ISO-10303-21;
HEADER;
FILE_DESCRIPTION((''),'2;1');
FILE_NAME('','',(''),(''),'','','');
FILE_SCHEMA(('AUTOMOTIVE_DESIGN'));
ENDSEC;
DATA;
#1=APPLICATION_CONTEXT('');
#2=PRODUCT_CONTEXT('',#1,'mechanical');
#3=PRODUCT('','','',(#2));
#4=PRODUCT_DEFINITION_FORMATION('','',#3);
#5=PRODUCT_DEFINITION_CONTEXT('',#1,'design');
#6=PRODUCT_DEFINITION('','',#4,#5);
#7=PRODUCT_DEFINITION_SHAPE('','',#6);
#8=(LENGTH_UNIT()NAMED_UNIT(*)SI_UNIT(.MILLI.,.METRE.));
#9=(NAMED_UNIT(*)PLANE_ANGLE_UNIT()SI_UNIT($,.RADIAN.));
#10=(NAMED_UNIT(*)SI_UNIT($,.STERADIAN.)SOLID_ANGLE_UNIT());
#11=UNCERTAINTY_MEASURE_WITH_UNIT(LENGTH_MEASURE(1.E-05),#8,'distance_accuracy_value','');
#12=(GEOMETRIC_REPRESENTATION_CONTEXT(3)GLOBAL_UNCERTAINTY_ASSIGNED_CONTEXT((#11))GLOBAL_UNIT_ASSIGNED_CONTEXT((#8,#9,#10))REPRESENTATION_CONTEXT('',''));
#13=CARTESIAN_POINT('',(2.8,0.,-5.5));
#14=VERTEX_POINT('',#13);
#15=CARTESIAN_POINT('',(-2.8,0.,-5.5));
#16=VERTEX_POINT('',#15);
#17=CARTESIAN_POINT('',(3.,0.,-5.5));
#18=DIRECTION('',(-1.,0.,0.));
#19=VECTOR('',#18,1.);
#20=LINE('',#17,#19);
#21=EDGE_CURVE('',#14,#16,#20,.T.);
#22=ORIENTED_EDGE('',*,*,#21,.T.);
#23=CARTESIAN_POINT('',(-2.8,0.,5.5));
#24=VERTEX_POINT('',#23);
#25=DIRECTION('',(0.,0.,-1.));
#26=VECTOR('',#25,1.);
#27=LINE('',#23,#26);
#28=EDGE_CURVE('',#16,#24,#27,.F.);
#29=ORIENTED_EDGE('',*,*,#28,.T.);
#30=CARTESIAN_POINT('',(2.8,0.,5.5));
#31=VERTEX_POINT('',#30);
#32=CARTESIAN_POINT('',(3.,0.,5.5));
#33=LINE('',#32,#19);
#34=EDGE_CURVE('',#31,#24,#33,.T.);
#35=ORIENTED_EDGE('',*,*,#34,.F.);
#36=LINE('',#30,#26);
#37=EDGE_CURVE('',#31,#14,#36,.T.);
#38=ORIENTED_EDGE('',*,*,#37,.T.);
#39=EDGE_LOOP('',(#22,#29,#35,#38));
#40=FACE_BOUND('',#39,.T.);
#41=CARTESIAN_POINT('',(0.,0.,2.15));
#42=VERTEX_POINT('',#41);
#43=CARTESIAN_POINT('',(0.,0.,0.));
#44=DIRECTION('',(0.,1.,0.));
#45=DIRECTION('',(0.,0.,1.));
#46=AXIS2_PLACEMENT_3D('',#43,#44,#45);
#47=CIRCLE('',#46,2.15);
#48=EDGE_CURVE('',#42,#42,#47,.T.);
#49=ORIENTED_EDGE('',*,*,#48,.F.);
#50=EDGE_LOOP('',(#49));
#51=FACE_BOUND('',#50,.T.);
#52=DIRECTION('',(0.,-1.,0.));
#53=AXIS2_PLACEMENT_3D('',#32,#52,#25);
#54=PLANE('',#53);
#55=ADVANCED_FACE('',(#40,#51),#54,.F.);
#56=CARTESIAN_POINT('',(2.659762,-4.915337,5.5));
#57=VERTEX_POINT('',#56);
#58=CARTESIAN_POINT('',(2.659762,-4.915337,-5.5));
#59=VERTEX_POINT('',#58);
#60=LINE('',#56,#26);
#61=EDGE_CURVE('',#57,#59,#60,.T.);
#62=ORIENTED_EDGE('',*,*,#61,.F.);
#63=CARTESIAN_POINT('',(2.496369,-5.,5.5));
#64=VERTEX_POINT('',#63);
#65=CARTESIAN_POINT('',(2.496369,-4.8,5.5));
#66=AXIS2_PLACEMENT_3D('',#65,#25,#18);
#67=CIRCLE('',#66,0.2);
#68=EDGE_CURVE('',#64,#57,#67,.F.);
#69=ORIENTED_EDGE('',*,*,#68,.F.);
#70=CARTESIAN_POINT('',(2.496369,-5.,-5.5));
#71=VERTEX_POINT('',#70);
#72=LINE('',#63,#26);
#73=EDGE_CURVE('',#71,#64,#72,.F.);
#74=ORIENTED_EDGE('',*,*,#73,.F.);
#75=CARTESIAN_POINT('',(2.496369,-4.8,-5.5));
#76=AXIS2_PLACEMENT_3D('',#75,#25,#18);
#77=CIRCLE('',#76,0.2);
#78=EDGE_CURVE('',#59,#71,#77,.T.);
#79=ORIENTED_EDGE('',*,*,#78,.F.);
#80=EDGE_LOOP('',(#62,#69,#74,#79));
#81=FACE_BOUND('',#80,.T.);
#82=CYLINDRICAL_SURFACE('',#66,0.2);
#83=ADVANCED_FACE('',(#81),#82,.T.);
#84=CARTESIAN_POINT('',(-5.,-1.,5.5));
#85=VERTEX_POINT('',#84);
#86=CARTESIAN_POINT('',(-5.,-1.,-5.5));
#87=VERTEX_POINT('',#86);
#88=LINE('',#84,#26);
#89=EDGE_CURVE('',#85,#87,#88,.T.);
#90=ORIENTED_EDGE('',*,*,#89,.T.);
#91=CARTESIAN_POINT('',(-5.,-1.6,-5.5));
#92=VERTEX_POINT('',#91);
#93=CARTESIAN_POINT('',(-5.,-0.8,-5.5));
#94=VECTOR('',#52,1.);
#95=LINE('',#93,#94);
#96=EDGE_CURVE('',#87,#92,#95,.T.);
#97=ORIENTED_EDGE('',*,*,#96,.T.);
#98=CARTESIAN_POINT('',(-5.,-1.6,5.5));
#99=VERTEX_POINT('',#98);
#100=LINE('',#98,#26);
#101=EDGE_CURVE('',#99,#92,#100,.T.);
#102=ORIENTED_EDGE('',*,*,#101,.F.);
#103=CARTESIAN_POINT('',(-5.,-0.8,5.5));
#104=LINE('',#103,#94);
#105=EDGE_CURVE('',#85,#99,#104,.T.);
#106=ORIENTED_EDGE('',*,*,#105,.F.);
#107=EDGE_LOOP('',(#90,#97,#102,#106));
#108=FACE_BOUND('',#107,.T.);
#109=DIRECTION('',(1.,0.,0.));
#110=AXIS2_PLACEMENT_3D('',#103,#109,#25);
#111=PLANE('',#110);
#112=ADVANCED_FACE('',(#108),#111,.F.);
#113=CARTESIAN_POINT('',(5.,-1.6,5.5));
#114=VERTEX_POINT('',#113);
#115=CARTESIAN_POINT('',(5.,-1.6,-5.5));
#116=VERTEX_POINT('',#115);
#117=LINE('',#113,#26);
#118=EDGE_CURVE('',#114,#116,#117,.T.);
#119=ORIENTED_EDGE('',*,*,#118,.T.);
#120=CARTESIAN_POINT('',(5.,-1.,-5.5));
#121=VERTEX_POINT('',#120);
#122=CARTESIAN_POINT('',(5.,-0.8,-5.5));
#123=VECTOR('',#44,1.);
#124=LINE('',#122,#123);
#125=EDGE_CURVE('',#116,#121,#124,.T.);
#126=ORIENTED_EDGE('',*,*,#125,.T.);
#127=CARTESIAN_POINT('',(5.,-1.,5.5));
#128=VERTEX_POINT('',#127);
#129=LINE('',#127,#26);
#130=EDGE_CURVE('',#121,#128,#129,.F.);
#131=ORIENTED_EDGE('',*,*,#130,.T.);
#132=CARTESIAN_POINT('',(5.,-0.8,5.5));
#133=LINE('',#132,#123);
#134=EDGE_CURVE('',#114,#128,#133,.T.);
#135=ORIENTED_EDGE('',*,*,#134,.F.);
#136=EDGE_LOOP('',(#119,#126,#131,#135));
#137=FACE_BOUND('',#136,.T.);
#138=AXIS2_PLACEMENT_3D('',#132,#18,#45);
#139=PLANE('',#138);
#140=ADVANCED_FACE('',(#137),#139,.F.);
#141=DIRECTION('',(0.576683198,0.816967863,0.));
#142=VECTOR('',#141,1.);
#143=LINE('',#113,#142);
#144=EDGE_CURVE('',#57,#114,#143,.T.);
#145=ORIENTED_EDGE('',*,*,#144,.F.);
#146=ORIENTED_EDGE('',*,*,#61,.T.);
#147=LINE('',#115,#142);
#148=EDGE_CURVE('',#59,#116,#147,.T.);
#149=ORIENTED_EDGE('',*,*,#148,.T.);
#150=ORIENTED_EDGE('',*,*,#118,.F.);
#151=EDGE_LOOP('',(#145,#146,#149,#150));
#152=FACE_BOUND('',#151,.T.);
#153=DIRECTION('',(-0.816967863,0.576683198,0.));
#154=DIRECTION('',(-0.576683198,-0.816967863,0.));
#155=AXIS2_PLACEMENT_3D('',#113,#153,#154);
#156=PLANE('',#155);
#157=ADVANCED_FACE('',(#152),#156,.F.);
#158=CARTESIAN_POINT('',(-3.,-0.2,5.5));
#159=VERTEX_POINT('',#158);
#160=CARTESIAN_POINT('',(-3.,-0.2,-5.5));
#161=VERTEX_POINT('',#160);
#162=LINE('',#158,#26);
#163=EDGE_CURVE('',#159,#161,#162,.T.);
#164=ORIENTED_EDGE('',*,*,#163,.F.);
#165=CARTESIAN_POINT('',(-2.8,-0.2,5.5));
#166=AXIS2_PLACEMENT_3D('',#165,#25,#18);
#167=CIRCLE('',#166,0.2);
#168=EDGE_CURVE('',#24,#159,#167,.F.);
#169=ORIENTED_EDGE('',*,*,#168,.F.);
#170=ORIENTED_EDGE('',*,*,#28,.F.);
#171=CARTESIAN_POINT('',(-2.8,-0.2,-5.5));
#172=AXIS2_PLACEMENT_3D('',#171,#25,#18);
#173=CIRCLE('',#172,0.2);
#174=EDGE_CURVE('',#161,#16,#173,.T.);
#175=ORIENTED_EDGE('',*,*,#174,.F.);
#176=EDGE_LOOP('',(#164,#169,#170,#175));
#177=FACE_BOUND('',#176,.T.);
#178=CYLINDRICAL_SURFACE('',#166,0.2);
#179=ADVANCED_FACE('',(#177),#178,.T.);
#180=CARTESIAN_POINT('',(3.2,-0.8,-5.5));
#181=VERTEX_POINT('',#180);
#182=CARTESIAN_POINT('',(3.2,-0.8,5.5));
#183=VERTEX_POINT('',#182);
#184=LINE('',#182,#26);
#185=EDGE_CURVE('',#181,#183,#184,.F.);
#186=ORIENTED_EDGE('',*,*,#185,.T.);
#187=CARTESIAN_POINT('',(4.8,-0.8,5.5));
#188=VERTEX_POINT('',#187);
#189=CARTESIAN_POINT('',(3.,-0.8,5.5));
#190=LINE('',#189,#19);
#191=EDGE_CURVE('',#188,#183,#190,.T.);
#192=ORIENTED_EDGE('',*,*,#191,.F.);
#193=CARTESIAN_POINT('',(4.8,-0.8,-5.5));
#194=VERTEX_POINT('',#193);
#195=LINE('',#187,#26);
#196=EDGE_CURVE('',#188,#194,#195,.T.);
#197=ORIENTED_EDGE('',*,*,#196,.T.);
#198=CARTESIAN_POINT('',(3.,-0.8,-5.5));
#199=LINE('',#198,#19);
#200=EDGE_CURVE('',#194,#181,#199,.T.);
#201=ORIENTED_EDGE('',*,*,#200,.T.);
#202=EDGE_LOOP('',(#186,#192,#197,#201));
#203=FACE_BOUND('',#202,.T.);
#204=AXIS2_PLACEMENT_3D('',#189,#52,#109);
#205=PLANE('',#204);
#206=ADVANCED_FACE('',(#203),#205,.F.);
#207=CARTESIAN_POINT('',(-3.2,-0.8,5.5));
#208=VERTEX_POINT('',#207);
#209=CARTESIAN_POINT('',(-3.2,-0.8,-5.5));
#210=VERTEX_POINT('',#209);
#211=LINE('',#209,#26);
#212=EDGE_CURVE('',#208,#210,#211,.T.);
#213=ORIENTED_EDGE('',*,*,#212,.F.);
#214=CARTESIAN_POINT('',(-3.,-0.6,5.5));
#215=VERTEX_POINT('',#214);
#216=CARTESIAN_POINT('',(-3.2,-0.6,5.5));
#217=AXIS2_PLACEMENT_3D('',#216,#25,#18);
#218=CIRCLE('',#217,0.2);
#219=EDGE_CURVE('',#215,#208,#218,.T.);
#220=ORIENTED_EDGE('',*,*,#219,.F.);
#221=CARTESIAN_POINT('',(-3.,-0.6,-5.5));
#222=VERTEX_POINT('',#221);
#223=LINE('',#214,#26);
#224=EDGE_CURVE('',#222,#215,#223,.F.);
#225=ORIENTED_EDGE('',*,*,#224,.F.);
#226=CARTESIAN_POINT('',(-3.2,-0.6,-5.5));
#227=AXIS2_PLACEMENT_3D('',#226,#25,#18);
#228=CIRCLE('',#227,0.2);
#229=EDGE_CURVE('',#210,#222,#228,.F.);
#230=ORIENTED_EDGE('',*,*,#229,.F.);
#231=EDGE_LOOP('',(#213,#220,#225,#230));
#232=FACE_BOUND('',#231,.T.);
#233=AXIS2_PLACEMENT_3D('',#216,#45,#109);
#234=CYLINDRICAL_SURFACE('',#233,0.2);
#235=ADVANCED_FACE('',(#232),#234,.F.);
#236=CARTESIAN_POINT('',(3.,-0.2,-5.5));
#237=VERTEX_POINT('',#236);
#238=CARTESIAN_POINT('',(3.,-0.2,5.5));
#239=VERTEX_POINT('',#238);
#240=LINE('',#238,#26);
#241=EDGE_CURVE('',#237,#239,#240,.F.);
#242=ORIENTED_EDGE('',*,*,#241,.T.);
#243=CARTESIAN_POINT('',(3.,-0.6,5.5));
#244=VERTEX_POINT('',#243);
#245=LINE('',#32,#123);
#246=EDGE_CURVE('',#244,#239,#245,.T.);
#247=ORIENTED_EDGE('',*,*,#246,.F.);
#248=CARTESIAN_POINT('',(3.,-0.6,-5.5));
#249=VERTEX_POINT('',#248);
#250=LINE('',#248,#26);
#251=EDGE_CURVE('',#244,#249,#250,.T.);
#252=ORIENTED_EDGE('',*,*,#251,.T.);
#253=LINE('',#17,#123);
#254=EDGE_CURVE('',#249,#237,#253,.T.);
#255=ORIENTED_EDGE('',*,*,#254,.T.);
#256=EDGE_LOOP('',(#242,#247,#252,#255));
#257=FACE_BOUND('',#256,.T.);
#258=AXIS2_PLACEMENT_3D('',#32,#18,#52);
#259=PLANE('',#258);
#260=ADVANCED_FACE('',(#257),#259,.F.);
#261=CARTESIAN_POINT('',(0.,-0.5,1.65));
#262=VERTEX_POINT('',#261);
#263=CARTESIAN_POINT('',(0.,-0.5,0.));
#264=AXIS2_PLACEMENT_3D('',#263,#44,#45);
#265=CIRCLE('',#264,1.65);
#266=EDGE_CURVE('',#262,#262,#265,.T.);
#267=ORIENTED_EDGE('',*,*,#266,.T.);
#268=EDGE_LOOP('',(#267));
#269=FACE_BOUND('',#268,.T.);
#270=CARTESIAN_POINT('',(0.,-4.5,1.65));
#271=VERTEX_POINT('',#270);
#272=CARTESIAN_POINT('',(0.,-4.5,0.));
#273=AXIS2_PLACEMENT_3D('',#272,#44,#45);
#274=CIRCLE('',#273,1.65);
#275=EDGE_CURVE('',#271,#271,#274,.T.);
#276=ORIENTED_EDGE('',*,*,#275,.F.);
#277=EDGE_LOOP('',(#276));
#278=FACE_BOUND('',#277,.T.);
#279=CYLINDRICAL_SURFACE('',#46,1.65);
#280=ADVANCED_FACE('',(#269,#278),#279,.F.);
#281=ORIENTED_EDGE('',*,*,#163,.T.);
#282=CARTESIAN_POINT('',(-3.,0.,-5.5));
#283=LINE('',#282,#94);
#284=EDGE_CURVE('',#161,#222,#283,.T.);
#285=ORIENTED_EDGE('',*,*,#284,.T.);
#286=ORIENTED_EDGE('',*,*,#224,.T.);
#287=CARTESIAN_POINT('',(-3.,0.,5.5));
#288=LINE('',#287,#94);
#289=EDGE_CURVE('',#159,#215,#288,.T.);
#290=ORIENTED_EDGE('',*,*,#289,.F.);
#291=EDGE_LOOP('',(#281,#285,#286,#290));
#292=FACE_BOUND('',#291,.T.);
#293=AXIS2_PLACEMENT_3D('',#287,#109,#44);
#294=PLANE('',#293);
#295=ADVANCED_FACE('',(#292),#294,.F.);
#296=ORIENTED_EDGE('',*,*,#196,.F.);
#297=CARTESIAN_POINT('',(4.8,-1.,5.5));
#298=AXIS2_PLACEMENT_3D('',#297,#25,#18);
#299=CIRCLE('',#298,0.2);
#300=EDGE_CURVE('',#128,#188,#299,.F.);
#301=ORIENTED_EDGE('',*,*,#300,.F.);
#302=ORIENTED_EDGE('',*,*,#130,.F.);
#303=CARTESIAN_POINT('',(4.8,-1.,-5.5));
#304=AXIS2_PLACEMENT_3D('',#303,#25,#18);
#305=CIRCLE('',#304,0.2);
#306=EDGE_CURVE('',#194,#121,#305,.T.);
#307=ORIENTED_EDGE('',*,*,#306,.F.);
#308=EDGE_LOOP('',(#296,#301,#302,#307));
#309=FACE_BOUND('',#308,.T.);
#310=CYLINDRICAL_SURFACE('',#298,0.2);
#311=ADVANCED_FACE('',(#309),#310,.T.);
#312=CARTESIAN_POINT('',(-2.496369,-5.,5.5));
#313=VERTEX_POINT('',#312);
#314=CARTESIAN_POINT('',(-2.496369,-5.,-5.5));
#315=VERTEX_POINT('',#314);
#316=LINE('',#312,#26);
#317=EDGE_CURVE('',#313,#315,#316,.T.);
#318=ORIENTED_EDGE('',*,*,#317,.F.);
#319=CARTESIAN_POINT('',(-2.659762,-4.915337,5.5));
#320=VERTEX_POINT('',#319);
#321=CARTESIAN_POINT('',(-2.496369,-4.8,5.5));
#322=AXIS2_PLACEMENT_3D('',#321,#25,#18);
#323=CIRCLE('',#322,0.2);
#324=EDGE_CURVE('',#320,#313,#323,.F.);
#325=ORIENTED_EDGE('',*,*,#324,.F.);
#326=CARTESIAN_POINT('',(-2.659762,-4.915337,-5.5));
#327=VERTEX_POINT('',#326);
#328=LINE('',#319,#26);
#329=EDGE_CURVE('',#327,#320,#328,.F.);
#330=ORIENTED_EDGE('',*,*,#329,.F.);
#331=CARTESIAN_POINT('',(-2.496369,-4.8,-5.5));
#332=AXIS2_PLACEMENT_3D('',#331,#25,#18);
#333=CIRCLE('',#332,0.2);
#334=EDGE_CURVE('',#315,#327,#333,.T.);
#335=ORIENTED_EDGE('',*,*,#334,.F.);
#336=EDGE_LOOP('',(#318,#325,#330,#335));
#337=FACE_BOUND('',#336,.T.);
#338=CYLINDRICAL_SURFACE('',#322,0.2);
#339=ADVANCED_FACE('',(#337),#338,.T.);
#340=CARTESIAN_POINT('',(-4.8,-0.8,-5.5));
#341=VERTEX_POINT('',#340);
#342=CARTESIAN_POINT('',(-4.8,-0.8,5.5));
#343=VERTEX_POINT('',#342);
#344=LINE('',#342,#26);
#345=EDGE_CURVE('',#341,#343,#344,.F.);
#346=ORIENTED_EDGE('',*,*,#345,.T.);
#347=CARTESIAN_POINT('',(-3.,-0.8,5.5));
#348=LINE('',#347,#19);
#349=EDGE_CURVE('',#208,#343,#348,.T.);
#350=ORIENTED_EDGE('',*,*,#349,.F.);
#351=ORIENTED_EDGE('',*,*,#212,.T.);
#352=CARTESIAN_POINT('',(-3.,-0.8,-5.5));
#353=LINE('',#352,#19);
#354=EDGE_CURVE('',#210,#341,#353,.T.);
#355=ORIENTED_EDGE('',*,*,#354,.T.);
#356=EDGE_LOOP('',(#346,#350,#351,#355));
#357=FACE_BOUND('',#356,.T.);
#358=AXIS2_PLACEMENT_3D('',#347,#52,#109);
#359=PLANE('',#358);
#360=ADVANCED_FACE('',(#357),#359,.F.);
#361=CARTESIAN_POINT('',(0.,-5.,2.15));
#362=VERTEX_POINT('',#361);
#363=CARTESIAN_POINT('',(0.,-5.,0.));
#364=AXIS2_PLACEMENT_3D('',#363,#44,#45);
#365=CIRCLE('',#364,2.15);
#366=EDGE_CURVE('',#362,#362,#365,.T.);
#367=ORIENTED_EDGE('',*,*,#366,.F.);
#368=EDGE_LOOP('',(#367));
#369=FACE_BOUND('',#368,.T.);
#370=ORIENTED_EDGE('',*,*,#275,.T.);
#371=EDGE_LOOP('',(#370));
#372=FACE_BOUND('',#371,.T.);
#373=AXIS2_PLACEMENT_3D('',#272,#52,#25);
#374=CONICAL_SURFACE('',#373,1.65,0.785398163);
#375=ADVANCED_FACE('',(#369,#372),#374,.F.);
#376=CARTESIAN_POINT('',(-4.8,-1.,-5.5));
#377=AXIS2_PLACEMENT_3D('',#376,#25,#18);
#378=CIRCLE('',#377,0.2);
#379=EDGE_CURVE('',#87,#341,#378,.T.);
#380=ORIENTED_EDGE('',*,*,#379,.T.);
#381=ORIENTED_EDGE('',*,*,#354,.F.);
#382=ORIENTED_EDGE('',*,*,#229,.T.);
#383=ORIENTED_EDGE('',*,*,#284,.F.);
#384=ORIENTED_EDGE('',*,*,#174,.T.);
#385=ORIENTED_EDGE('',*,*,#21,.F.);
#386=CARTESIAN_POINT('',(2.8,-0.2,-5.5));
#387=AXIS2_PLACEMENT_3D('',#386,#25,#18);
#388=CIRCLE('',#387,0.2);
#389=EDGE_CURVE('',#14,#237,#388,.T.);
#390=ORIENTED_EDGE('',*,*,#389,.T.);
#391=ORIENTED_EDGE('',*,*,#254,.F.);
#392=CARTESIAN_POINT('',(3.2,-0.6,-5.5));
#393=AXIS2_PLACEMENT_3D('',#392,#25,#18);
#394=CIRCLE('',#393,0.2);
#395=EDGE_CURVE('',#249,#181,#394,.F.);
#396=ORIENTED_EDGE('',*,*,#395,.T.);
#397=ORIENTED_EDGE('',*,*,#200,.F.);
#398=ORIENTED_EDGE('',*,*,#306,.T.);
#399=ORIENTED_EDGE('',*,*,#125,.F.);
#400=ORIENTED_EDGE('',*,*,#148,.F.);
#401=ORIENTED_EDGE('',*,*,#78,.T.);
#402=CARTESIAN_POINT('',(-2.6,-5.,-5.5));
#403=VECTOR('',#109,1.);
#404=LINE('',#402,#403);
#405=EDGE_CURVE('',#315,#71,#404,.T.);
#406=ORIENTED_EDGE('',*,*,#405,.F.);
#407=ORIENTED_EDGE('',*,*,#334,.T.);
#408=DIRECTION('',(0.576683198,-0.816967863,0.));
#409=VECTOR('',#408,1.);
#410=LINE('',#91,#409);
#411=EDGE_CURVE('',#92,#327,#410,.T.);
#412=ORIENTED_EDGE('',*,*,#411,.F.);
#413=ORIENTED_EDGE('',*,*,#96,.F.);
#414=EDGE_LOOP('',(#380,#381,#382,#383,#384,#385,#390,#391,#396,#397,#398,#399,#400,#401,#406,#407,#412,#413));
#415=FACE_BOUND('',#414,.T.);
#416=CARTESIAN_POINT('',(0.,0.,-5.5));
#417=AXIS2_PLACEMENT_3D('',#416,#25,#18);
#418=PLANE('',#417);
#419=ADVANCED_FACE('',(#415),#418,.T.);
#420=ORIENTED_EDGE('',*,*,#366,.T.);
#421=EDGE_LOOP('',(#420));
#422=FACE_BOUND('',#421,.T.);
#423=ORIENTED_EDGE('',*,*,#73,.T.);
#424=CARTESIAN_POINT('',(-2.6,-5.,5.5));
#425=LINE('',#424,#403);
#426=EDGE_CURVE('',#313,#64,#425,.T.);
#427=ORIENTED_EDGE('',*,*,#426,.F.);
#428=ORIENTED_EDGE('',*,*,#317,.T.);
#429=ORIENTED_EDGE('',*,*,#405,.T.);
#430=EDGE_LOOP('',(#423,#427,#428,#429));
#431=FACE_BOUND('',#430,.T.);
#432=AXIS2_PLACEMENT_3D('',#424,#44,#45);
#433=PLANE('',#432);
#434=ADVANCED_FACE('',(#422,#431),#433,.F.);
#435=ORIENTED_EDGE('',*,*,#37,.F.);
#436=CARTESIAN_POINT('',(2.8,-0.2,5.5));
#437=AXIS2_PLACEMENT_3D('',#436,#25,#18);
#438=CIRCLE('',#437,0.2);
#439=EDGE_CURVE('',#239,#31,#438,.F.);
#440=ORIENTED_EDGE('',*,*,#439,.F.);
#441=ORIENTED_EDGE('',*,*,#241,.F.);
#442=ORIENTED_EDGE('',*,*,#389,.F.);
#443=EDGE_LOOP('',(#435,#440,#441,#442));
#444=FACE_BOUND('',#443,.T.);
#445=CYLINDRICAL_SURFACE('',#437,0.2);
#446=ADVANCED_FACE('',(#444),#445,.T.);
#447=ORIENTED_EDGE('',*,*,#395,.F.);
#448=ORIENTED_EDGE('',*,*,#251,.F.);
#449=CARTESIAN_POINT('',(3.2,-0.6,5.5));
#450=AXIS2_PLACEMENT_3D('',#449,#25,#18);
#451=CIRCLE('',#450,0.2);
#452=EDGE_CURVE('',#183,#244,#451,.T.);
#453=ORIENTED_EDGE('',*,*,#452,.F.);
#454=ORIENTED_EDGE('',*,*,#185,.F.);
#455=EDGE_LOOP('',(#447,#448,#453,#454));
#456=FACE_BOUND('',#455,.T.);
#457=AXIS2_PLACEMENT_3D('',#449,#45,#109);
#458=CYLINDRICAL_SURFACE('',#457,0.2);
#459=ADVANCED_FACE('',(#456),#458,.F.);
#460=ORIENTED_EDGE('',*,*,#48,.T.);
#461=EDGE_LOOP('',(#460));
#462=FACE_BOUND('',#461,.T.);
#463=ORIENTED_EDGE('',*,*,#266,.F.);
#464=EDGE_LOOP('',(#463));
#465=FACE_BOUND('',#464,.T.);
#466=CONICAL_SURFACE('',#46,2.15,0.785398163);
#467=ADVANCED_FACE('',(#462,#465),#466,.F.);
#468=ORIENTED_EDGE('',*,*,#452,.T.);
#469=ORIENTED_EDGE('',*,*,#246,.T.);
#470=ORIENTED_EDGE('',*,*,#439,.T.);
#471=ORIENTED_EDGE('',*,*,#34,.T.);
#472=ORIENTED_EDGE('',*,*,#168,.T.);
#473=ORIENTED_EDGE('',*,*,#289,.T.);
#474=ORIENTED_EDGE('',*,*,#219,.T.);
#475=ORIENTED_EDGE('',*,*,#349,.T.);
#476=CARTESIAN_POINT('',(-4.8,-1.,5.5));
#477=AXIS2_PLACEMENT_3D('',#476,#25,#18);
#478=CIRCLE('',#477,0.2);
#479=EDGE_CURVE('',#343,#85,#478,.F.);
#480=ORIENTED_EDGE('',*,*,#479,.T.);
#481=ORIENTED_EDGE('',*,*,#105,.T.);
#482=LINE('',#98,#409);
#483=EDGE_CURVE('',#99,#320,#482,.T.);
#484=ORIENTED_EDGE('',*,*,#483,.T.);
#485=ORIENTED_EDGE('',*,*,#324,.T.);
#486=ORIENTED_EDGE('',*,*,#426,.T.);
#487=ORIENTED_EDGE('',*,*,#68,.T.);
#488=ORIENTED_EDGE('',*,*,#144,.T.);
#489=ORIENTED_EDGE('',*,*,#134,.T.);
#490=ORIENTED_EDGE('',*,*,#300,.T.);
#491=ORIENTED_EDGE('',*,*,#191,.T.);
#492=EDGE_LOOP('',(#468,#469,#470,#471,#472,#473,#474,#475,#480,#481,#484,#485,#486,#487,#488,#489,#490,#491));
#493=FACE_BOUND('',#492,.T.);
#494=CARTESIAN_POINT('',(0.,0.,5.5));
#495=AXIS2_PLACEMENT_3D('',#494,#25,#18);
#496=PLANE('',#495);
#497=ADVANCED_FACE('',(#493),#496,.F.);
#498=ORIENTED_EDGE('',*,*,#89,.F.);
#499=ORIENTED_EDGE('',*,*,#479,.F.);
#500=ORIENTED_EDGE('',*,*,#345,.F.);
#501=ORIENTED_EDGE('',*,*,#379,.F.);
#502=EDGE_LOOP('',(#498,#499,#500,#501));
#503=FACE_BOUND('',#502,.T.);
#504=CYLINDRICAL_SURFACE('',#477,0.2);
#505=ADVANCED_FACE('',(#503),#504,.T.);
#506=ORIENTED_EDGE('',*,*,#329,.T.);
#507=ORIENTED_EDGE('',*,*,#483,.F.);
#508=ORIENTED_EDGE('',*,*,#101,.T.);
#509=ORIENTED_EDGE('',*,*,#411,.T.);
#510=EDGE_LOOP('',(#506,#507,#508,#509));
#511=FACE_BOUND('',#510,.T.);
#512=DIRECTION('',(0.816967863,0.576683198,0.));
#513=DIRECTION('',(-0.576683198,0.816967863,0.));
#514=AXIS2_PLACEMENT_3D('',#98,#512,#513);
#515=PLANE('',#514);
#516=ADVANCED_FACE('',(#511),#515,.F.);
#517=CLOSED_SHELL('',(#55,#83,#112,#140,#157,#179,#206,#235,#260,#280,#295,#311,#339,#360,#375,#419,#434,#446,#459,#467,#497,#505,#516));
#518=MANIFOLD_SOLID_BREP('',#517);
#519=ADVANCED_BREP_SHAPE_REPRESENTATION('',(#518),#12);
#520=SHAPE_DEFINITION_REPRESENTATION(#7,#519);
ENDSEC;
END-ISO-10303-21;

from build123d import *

# Parameters (mm, degrees)
EXTRUDE_1_DEPTH = 5.5
FILLET_1_R      = 0.2


with BuildPart() as part:
    # Эскиз1 → Бобышка-Вытянуть1 (new body, symmetric)
    with BuildSketch(Plane.XY):
        Polygon((3, 0), (-3, 0), (-3, -0.8), (-5, -0.8), (-5, -1.6), (-2.6, -5), (2.6, -5), (5, -1.6), (5, -0.8), (3, -0.8), align=None)
    extrude(amount=EXTRUDE_1_DEPTH, both=True)

    # Эскиз4 → Отверстие обработанное метчиком M41 (revolve, cut)
    with BuildSketch(Plane(origin=(0, 0, 0), x_dir=(0, 0, 1), z_dir=(1, 0, 0))):
        Polygon((0, 0), (0, 5), (2.15, 5), (1.65, 4.5), (1.65, 0.5), (2.15, 0), align=None)
    revolve(axis=Axis((0, 6.35, 0), (0, -1, 0)), mode=Mode.SUBTRACT)

    # Скругление1
    fillet_1_edges = [part.edges().sort_by_distance(p)[0] for p in [
        (-3, 0, 0),
        (3, 0, 0),
        (3, -0.8, 0),
        (5, -0.8, 0),
        (2.6, -5, 0),
        (-2.6, -5, 0),
        (-5, -0.8, 0),
        (-3, -0.8, 0),
    ]]
    fillet(fillet_1_edges, radius=FILLET_1_R)


solid = part.part
